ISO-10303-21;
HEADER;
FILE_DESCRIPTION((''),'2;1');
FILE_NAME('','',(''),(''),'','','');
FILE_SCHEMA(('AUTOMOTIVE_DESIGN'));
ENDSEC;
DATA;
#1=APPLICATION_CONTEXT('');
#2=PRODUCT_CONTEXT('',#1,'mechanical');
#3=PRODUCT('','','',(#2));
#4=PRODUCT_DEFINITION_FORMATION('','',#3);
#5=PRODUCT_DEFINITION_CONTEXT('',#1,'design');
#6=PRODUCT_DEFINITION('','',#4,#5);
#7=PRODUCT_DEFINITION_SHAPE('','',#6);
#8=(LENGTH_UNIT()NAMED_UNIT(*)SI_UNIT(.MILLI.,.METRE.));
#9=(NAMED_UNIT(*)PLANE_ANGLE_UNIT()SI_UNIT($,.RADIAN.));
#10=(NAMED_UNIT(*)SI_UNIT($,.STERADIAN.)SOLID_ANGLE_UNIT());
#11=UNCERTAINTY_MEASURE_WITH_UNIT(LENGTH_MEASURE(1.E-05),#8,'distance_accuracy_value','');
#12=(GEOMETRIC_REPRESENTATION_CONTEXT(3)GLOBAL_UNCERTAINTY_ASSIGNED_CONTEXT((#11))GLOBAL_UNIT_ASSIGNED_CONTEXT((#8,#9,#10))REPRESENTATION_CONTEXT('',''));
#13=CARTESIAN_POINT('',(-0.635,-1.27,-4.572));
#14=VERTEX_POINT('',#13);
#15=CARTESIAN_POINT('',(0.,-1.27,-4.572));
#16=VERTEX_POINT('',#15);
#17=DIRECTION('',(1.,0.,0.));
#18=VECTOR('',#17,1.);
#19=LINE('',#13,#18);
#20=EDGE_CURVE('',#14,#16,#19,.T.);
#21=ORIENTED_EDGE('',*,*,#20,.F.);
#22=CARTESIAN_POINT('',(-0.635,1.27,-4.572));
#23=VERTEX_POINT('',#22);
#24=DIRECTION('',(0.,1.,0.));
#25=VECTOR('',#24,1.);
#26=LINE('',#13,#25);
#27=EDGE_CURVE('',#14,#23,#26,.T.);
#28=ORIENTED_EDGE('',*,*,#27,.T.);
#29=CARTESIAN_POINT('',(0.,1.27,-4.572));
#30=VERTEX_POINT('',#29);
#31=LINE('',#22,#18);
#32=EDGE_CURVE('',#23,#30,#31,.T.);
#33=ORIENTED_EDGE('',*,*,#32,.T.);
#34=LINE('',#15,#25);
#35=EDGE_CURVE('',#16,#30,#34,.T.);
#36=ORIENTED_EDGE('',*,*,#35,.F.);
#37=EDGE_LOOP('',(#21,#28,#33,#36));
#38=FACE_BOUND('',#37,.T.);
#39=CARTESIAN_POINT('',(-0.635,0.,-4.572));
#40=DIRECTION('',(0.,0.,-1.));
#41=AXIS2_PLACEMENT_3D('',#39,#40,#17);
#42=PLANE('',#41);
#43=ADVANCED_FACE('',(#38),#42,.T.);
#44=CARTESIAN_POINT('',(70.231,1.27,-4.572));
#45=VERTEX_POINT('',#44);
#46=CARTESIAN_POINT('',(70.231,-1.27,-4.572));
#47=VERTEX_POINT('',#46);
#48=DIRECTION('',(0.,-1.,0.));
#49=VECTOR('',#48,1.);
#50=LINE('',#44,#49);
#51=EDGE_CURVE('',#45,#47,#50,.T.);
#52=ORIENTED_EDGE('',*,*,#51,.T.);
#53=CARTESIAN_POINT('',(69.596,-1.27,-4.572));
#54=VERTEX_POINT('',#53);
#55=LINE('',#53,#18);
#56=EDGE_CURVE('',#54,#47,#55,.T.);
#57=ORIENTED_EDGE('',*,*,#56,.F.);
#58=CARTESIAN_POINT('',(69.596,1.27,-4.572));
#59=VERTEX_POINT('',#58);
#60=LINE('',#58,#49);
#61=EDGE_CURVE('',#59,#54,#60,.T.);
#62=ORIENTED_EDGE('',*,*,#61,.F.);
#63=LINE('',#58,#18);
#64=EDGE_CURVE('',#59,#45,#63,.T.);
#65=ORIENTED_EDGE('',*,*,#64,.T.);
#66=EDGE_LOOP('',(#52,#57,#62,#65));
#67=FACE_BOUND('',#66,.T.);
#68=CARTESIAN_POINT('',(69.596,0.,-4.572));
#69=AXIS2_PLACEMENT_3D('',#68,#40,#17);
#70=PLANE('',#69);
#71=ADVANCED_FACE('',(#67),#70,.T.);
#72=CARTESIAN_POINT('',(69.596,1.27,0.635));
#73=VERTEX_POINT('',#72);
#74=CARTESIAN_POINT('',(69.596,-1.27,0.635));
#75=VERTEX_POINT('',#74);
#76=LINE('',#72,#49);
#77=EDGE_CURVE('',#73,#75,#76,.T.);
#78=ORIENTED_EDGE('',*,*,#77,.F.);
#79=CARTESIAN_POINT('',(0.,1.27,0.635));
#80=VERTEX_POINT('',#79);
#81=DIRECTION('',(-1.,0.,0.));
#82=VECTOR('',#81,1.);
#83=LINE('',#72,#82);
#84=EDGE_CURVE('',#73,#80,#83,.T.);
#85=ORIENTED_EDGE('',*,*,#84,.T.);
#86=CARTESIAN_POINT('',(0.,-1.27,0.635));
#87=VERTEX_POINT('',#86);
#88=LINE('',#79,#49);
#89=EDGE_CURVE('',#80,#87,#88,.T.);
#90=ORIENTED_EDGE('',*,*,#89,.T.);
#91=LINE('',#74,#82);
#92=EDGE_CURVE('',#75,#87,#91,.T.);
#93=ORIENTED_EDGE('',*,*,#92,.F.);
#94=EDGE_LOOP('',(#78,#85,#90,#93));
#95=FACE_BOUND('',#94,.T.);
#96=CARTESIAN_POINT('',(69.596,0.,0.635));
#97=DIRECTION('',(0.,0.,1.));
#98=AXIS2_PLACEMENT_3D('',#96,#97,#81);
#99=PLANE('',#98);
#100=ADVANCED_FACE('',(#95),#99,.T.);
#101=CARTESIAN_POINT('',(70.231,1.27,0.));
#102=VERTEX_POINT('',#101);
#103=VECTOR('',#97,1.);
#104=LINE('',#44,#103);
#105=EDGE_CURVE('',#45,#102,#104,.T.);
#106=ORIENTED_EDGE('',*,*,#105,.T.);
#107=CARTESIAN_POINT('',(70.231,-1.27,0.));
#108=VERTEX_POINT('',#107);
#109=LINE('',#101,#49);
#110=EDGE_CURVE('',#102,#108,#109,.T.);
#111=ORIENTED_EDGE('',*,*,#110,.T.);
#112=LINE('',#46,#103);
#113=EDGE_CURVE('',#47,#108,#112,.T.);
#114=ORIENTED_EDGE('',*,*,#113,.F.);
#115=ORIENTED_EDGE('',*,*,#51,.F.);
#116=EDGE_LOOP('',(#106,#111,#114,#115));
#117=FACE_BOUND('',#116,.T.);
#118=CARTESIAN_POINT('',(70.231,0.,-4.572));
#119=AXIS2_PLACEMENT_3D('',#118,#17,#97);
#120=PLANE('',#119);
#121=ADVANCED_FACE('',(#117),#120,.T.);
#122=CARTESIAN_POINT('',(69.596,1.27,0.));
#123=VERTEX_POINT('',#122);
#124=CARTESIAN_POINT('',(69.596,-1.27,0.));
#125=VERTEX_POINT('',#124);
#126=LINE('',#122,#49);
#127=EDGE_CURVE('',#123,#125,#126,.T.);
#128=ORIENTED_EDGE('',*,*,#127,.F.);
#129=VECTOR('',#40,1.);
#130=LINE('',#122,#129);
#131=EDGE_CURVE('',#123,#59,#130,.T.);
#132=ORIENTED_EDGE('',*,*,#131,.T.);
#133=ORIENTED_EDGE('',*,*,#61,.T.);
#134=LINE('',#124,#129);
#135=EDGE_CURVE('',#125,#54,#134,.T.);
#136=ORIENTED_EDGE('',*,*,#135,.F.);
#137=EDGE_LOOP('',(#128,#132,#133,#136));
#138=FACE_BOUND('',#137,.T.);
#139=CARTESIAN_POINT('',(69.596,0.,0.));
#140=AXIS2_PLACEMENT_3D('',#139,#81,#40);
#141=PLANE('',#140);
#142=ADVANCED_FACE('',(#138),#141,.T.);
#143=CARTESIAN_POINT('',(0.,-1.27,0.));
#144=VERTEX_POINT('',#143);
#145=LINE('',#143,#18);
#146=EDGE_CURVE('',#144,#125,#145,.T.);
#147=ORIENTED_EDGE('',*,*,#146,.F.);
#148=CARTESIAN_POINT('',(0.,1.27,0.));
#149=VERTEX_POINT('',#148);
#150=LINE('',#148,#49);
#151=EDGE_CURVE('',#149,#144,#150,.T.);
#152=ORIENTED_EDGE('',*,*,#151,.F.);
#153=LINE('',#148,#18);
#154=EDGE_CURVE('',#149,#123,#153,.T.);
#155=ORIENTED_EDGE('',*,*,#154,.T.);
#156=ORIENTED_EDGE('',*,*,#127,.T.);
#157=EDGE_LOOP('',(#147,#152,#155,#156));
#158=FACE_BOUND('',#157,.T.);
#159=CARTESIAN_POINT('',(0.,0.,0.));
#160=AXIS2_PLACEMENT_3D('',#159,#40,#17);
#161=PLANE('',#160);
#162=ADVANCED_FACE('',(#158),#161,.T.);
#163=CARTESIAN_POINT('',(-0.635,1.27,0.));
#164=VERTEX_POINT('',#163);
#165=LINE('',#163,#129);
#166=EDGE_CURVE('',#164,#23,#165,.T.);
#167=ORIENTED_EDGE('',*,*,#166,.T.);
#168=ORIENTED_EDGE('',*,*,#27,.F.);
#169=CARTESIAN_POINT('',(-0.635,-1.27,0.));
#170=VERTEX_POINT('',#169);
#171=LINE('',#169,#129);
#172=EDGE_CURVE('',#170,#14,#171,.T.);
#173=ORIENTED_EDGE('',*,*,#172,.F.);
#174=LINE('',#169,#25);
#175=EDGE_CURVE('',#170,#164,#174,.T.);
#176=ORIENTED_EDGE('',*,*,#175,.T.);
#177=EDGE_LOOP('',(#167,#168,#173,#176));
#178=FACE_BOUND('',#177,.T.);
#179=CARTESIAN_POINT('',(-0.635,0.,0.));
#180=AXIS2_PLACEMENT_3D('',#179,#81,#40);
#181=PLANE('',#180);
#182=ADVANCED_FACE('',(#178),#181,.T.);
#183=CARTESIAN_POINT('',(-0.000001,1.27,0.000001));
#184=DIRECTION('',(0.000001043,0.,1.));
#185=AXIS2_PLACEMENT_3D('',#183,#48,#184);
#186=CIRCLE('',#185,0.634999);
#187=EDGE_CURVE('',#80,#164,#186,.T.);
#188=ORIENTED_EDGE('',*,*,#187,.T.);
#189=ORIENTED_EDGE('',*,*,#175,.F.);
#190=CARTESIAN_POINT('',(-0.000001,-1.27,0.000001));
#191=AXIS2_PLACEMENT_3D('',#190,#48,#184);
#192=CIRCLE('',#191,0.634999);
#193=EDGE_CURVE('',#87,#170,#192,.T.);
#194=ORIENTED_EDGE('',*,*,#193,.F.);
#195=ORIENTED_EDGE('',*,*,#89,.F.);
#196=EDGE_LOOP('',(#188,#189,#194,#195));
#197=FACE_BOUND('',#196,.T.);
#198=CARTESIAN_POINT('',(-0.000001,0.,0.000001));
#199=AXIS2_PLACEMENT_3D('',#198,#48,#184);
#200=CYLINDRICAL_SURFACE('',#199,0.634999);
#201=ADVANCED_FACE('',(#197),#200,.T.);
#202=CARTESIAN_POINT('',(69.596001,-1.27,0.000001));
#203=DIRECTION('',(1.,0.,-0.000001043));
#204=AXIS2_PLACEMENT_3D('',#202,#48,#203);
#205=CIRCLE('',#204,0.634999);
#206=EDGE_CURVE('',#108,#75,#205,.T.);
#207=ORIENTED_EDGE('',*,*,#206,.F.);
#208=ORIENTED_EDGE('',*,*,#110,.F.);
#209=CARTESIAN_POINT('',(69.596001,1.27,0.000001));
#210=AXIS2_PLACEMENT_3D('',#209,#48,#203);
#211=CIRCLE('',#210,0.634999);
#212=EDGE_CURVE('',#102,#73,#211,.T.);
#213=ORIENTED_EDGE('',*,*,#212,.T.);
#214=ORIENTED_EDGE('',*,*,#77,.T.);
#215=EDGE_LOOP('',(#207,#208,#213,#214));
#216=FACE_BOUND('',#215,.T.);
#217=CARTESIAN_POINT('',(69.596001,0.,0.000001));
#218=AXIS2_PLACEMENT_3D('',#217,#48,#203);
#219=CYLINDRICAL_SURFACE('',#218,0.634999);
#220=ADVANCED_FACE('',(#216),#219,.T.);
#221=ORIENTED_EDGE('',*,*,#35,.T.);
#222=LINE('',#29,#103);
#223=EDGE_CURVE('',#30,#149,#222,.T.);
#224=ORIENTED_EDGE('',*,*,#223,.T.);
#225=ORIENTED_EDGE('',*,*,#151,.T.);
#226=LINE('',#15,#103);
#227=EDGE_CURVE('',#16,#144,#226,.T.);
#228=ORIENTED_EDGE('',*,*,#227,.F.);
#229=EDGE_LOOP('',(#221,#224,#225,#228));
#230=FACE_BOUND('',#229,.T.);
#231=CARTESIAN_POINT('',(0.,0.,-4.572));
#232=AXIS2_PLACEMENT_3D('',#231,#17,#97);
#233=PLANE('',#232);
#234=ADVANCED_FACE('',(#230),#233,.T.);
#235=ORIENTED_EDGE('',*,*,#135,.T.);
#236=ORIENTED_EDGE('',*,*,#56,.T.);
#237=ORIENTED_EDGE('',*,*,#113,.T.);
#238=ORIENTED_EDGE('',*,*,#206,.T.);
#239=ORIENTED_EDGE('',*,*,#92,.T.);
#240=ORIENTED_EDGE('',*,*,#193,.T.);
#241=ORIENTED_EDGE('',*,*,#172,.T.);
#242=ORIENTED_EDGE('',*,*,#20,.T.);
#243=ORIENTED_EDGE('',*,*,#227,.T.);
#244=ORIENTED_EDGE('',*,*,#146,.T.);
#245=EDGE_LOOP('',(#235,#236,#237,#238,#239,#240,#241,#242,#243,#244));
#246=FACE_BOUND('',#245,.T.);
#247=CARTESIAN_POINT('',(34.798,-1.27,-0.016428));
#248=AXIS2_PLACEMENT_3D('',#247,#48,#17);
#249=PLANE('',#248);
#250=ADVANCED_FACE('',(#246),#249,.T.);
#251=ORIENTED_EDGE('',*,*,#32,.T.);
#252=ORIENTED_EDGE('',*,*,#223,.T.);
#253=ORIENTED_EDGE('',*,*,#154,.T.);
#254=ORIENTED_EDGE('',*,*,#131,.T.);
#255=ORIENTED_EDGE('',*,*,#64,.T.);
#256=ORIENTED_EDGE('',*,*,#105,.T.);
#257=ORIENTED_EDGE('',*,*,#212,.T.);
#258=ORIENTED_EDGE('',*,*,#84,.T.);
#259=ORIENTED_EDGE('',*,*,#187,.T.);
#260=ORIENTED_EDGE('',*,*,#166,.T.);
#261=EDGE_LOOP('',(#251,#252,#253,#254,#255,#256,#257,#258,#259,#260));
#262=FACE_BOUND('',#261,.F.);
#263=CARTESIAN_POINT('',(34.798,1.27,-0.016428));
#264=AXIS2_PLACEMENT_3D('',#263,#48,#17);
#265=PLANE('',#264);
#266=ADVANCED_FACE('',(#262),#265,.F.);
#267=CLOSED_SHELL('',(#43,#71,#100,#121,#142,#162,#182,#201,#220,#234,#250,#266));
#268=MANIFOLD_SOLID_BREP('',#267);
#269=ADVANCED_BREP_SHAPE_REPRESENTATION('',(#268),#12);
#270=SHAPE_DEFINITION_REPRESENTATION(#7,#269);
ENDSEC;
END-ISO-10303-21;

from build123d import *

# Parameters (mm, degrees)
F1_DEPTH = 1.27


with BuildPart() as f1:
    # F0 (on Front) → F1 (new body, symmetric)
    with BuildSketch(Plane.XZ):
        with BuildLine():
            Line((0, -4.572), (0, 0))
            Line((0, 0), (69.596, 0))
            Line((69.596, 0), (69.596, -4.572))
            Line((69.596, -4.572), (70.231, -4.572))
            Line((70.231, -4.572), (70.231, 0))
            ThreePointArc((70.231, 0), (70.045013, 0.449013), (69.596, 0.635))
            Line((69.596, 0.635), (0, 0.635))
            ThreePointArc((0, 0.635), (-0.449013, 0.449013), (-0.635, 0))
            Line((-0.635, 0), (-0.635, -4.572))
            Line((-0.635, -4.572), (0, -4.572))
        make_face()
    extrude(amount=F1_DEPTH, both=True)


solid = f1.part
